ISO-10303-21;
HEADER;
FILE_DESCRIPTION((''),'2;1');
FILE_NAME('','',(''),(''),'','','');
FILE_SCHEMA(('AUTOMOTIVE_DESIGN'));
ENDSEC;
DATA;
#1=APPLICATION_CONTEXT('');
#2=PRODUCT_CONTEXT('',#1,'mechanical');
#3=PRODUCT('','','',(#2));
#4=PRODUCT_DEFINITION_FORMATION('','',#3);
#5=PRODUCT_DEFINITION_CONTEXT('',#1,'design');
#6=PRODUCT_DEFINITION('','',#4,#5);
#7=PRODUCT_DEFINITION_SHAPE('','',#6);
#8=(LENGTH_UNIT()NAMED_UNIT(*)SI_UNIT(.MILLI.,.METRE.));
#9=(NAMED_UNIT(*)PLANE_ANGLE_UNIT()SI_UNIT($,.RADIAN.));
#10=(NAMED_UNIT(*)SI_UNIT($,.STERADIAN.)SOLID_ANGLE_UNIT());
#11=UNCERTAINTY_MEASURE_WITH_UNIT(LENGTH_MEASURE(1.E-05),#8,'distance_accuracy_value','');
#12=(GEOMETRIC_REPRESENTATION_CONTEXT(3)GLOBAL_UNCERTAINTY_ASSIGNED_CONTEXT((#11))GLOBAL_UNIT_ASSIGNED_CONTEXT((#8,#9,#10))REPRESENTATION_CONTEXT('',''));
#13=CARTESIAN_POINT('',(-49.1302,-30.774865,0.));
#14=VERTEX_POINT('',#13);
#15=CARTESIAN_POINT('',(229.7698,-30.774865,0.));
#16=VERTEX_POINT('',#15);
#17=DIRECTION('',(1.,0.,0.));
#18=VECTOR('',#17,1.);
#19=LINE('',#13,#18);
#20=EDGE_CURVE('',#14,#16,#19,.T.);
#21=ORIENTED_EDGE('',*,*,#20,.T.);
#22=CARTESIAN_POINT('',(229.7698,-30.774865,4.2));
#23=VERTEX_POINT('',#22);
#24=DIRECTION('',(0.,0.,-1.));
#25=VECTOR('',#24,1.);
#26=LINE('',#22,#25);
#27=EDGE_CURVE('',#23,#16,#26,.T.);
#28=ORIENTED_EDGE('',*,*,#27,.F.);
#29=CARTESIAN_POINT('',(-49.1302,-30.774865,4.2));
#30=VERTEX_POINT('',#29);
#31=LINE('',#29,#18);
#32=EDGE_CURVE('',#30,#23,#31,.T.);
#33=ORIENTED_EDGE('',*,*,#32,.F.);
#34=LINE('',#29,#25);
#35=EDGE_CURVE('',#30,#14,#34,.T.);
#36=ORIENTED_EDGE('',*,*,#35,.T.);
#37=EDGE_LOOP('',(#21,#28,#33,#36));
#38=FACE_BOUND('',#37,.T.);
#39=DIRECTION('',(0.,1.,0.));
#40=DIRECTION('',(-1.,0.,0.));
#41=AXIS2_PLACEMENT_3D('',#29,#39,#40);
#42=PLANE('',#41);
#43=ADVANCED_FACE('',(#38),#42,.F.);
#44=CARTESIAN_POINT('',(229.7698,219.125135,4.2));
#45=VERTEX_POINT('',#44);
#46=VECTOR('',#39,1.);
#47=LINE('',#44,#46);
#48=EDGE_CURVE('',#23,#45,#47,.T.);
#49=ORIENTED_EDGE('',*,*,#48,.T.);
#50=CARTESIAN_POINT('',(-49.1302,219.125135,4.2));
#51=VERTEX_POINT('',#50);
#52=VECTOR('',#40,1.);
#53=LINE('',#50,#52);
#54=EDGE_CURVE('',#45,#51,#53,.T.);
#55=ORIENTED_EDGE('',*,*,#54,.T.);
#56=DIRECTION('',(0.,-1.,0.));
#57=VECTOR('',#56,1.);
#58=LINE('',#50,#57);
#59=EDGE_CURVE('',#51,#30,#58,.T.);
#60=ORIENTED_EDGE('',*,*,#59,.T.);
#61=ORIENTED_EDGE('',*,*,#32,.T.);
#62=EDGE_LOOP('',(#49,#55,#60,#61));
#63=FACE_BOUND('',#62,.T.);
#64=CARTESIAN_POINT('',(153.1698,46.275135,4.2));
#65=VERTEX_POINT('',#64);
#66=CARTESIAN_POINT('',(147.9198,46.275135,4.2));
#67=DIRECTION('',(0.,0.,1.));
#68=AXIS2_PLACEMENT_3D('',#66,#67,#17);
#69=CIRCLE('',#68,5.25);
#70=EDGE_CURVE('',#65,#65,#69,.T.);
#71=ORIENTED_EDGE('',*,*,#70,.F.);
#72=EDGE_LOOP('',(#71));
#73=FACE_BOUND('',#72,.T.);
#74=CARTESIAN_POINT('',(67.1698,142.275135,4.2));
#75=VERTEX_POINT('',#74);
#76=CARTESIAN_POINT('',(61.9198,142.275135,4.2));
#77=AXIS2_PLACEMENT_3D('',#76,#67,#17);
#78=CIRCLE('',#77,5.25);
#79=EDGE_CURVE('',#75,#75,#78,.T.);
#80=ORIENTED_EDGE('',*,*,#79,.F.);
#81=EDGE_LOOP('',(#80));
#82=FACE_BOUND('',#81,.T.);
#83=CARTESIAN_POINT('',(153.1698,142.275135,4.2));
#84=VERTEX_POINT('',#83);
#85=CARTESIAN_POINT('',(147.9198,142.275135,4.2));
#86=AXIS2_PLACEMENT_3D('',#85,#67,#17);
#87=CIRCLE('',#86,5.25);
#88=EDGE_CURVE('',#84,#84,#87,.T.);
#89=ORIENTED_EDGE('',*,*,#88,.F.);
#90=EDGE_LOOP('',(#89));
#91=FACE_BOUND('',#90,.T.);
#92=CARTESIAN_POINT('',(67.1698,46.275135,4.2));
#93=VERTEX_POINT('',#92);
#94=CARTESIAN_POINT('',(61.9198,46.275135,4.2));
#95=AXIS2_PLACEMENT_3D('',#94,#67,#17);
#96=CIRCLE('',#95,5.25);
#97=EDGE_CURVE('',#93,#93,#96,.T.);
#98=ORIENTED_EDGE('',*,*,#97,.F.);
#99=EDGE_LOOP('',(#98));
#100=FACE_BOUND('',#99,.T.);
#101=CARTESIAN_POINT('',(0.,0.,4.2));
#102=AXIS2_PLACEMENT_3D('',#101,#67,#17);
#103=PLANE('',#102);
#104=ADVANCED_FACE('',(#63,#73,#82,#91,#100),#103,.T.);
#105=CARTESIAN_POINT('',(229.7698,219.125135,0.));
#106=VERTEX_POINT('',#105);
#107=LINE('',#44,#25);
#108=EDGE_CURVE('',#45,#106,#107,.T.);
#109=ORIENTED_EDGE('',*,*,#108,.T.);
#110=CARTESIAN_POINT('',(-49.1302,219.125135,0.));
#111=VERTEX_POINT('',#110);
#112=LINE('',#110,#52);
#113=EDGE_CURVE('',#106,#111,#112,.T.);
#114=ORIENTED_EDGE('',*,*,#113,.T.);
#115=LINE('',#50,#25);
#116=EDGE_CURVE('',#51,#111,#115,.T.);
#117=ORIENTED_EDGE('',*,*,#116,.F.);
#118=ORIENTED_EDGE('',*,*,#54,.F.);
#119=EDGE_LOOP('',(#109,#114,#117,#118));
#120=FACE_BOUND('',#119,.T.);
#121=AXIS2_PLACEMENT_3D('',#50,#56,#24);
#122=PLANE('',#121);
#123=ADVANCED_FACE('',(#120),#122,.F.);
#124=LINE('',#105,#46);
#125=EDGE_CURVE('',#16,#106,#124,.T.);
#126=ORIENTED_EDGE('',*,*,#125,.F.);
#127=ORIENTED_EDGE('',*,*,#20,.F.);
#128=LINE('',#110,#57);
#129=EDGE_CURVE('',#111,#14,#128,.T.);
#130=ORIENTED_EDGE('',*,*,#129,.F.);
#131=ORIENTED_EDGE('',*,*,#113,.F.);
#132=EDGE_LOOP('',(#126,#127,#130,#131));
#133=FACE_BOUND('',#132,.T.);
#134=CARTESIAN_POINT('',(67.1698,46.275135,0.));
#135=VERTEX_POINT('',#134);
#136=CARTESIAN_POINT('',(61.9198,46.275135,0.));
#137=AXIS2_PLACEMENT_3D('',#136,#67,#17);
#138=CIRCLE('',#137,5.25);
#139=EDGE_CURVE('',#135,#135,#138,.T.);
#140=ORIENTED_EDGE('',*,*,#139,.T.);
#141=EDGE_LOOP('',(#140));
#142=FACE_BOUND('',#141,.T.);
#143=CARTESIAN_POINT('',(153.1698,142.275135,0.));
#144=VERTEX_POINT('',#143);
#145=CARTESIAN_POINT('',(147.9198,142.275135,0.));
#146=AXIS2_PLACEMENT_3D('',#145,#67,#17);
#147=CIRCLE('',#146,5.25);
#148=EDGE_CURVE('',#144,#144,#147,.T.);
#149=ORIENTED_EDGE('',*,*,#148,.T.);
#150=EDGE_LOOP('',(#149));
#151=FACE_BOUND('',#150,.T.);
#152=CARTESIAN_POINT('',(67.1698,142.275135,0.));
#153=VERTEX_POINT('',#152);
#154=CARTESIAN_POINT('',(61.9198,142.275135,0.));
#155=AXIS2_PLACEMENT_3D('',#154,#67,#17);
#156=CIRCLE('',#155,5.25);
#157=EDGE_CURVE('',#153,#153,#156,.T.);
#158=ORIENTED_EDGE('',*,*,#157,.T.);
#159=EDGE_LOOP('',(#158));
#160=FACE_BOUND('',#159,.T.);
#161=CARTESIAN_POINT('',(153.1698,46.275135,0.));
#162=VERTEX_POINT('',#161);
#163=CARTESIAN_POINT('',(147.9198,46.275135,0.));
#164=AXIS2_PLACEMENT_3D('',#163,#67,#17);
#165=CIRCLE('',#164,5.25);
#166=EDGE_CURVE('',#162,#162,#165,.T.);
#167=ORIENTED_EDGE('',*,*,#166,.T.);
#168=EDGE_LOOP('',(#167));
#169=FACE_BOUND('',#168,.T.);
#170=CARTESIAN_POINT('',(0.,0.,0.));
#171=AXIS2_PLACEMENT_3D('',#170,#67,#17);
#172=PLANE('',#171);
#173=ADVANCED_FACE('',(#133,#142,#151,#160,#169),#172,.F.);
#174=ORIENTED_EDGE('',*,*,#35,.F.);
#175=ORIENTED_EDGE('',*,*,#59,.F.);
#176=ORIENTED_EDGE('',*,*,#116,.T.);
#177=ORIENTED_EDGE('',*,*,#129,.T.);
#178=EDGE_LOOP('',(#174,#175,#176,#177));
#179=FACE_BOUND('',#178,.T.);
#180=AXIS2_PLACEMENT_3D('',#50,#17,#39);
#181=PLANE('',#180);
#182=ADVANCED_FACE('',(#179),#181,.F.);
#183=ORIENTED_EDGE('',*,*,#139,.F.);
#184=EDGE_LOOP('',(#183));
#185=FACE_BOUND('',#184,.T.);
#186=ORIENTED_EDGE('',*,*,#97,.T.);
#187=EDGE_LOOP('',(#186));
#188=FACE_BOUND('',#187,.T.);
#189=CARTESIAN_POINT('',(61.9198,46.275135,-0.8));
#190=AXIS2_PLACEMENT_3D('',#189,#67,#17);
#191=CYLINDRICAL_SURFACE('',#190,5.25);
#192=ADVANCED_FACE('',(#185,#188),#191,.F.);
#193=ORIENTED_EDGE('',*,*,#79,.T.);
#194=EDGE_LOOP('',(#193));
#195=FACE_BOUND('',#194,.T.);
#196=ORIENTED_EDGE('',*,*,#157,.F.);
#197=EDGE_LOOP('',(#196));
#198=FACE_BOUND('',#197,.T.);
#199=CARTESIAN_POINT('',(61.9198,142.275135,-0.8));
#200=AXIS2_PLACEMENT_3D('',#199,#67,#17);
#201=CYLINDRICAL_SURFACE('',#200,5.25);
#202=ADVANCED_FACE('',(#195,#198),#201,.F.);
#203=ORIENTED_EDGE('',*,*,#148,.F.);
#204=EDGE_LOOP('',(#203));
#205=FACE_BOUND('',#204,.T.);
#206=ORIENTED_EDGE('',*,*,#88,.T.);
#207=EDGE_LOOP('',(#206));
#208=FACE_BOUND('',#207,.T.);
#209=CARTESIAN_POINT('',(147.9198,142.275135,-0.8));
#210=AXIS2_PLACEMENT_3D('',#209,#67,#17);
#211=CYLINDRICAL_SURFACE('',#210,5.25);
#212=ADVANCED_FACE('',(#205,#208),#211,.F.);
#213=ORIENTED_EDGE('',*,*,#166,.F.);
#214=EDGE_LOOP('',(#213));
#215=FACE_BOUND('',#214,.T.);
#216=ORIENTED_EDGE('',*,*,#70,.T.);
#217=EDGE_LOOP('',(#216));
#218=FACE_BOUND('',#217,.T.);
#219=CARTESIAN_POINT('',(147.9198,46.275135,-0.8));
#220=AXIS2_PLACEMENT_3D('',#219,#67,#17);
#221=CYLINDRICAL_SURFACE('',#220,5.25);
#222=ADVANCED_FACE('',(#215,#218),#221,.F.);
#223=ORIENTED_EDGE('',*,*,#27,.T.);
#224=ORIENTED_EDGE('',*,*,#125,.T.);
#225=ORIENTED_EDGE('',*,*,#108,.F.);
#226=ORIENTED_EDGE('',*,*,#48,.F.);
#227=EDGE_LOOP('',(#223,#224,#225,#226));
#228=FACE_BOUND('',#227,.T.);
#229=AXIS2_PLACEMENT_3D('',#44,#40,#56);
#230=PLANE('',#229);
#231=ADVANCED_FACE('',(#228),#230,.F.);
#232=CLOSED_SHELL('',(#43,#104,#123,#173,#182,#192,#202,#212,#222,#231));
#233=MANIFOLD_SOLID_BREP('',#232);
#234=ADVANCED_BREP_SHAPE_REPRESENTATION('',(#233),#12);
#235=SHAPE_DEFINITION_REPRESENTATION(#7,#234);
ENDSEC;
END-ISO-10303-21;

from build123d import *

# Parameters (mm, degrees)
ESQUISSE1_W             = 278.9
ESQUISSE1_H             = 249.9
BOSS_EXTRU_1_DEPTH      = 4.2
ESQUISSE4_R             = 5.25
ENL_V_MAT_EXTRU_3_DEPTH = 5


with BuildPart() as part:
    # Esquisse1 → Boss.-Extru.1 (new body)
    with BuildSketch(Plane.XY):
        with Locations((90.319800378, 94.175135181)):
            Rectangle(ESQUISSE1_W, ESQUISSE1_H)
    extrude(amount=BOSS_EXTRU_1_DEPTH)

    # Esquisse4 → Enlèv. mat.-Extru.3 (cut)
    with BuildSketch(Plane.XY.offset(4.2)):
        with Locations((61.919800378, 142.275135181)):
            Circle(ESQUISSE4_R)
        with Locations((61.919800378, 46.275135181)):
            Circle(ESQUISSE4_R)
        with Locations((147.919800378, 142.275135181)):
            Circle(ESQUISSE4_R)
        with Locations((147.919800378, 46.275135181)):
            Circle(ESQUISSE4_R)
    extrude(amount=-ENL_V_MAT_EXTRU_3_DEPTH, mode=Mode.SUBTRACT)


solid = part.part
